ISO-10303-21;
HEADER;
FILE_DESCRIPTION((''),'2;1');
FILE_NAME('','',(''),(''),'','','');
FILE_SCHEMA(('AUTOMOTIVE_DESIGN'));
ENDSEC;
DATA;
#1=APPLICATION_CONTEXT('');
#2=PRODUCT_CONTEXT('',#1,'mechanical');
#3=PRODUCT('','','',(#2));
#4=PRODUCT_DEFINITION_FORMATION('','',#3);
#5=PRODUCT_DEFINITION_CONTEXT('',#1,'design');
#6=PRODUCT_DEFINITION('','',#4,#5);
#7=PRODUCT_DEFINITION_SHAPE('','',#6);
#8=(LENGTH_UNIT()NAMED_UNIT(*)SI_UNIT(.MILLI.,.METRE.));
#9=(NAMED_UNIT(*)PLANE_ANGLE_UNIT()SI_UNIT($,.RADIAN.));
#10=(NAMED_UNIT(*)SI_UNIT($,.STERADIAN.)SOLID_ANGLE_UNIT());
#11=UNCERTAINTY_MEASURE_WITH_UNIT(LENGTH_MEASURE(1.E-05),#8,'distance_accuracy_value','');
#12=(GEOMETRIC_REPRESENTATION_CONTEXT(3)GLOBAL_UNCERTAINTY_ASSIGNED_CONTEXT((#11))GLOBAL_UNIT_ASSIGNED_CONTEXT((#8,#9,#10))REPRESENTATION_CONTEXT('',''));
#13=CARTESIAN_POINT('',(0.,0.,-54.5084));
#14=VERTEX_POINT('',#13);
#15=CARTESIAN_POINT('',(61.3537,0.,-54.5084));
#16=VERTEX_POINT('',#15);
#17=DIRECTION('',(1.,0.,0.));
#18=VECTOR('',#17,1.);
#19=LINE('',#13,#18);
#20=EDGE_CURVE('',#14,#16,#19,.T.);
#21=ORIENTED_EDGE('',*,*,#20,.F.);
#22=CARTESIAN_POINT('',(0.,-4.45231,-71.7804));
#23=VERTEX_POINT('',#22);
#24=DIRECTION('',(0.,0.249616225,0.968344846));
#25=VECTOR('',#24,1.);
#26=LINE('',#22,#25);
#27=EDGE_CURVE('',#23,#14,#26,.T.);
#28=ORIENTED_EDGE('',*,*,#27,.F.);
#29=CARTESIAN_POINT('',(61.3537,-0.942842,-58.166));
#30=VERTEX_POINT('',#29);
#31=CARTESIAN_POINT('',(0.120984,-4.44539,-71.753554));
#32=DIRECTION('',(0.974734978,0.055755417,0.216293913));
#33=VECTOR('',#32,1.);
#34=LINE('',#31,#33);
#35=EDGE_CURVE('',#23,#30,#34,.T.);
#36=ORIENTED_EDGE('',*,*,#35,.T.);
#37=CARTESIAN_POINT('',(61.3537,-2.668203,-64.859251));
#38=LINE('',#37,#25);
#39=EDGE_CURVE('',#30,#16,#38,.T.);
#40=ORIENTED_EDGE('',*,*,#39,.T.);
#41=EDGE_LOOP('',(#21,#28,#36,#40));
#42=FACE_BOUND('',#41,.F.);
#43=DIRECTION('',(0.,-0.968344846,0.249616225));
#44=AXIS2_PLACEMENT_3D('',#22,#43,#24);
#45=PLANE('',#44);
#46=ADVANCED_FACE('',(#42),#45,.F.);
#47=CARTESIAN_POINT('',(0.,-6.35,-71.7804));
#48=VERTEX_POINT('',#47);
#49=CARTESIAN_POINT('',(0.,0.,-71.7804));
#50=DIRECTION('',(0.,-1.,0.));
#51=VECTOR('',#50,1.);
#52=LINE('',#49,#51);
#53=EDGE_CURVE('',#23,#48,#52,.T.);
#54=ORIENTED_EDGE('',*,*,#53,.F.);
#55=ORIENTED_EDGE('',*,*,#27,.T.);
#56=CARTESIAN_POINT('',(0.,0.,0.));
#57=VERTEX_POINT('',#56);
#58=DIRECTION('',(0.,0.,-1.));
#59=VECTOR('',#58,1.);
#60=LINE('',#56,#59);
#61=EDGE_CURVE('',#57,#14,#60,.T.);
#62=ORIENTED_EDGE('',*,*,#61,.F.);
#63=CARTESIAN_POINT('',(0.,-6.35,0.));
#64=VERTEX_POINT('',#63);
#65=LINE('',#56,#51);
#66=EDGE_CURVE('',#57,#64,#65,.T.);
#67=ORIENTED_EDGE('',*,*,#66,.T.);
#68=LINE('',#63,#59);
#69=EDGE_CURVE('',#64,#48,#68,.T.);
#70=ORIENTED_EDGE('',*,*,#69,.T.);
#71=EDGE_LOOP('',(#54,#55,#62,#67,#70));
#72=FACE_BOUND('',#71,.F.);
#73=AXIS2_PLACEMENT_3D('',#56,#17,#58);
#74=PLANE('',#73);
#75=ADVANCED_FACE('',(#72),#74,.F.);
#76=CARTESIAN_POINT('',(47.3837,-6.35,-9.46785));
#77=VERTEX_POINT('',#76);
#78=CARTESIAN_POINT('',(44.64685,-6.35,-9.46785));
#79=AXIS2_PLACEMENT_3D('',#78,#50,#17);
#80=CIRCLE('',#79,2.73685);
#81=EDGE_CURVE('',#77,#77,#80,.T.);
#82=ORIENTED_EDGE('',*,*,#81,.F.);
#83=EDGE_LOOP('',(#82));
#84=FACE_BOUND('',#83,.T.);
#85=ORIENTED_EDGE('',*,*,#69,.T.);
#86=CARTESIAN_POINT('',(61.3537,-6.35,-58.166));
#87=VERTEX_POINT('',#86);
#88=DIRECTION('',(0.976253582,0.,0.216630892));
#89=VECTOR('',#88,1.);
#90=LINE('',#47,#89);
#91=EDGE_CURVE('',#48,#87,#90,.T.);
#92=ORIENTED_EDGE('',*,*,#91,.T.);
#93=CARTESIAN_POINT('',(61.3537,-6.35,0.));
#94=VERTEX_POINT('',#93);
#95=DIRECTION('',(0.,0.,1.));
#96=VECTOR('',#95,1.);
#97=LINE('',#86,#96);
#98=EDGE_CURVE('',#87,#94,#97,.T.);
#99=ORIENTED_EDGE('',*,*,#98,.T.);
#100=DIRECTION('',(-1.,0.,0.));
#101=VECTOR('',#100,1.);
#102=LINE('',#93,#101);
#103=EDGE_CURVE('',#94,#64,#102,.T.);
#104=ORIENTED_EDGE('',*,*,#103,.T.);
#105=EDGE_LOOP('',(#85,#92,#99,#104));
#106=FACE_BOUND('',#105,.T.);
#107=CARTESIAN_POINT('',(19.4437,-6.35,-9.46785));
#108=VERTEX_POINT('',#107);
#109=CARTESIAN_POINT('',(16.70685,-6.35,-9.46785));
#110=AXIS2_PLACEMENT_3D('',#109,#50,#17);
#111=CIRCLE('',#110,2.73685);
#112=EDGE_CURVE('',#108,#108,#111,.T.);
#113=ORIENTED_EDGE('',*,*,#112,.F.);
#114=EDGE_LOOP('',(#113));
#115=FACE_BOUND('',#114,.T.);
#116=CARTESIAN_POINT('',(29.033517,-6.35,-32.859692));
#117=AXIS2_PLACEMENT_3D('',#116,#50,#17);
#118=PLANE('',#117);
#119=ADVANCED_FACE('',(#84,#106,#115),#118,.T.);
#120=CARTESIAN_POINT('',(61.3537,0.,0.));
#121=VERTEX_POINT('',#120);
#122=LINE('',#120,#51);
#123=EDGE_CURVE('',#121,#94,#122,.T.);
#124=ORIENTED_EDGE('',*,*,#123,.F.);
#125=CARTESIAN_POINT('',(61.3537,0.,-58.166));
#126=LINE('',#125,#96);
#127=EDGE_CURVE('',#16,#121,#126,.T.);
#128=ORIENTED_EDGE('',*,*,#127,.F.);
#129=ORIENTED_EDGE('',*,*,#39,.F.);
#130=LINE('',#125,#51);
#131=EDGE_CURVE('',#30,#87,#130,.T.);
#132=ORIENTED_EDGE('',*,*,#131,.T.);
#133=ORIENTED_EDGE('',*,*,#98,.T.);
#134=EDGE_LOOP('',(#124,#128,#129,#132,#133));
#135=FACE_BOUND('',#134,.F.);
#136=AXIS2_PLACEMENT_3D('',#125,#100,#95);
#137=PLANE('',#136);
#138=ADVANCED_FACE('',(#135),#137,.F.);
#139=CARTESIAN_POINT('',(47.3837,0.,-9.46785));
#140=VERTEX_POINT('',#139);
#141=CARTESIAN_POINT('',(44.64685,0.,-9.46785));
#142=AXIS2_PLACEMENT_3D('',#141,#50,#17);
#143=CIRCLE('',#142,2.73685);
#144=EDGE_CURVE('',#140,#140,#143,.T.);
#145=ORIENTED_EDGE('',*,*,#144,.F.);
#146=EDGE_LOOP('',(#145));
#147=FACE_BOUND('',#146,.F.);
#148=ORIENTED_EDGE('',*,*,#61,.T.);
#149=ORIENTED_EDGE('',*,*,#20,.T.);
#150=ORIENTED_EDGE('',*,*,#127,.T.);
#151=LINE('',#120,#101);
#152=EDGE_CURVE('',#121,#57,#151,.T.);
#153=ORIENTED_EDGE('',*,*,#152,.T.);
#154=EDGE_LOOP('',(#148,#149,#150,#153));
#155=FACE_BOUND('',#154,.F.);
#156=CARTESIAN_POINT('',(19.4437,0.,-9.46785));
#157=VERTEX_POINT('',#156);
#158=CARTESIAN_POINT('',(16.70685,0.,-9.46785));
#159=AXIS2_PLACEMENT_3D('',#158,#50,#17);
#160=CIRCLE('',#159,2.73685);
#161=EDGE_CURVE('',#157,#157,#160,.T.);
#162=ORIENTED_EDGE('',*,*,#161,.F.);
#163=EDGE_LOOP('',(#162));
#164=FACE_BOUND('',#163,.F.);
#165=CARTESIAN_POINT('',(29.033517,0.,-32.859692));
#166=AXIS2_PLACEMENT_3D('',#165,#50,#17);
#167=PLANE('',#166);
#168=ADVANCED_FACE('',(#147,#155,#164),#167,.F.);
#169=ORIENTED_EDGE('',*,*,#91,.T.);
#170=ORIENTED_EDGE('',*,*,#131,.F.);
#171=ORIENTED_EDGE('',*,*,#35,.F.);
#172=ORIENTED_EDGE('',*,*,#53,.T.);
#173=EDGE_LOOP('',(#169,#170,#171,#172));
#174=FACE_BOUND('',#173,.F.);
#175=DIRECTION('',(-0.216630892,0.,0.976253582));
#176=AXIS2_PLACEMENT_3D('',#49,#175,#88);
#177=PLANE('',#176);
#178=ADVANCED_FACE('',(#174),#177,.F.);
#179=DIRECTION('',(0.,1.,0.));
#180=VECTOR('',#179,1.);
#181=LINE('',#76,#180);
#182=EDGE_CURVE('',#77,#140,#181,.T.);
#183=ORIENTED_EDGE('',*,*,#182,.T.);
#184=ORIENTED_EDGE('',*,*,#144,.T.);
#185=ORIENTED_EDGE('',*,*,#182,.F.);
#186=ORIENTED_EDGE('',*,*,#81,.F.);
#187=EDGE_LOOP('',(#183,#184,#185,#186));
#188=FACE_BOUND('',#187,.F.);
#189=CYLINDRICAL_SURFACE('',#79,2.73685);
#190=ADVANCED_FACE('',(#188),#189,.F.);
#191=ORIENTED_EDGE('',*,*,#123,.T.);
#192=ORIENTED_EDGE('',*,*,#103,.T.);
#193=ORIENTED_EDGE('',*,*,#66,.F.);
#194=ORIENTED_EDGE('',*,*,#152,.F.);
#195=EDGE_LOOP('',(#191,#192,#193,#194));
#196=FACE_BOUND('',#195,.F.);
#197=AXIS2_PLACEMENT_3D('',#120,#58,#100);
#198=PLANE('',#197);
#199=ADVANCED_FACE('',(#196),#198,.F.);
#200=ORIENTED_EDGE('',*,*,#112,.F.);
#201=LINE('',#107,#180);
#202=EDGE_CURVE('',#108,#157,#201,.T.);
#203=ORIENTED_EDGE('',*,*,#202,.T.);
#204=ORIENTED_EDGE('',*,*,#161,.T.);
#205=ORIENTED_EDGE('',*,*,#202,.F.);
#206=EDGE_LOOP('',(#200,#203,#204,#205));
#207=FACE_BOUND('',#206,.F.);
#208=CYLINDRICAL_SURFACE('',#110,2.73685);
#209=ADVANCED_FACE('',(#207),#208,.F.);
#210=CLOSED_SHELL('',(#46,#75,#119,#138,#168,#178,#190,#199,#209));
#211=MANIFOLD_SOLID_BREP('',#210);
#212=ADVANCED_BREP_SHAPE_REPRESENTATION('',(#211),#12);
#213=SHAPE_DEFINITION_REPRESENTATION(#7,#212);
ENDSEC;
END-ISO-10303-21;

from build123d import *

# Parameters (mm, degrees)
F1_DEPTH = 6.35
F2_R     = 2.73685
F3_DEPTH = 6.35
F5_DEPTH = 63.5


with BuildPart() as f1:
    # F0 (on Front) → F1 (new body)
    with BuildSketch(Plane.XZ):
        Polygon((61.3537, 0), (0, 0), (0, -71.7804), (61.3537, -58.166), align=None)
    extrude(amount=F1_DEPTH)

    # F2 (on face) → F3 (cut)
    with BuildSketch(Plane.XZ.offset(6.35)):
        with Locations((44.64685, -9.46785)):
            Circle(F2_R)
        with Locations((16.70685, -9.46785)):
            Circle(F2_R)
    extrude(amount=-F3_DEPTH, mode=Mode.SUBTRACT)

    # F4 (on face) → F5 (cut)
    with BuildSketch(Plane(origin=(0, 0, 0), x_dir=(0, -1, 0), z_dir=(-1, 0, 0))):
        Polygon((4.45231, -71.7804), (0, -54.5084), (0, -71.7804), align=None)
    extrude(amount=-F5_DEPTH, mode=Mode.SUBTRACT)


solid = f1.part
